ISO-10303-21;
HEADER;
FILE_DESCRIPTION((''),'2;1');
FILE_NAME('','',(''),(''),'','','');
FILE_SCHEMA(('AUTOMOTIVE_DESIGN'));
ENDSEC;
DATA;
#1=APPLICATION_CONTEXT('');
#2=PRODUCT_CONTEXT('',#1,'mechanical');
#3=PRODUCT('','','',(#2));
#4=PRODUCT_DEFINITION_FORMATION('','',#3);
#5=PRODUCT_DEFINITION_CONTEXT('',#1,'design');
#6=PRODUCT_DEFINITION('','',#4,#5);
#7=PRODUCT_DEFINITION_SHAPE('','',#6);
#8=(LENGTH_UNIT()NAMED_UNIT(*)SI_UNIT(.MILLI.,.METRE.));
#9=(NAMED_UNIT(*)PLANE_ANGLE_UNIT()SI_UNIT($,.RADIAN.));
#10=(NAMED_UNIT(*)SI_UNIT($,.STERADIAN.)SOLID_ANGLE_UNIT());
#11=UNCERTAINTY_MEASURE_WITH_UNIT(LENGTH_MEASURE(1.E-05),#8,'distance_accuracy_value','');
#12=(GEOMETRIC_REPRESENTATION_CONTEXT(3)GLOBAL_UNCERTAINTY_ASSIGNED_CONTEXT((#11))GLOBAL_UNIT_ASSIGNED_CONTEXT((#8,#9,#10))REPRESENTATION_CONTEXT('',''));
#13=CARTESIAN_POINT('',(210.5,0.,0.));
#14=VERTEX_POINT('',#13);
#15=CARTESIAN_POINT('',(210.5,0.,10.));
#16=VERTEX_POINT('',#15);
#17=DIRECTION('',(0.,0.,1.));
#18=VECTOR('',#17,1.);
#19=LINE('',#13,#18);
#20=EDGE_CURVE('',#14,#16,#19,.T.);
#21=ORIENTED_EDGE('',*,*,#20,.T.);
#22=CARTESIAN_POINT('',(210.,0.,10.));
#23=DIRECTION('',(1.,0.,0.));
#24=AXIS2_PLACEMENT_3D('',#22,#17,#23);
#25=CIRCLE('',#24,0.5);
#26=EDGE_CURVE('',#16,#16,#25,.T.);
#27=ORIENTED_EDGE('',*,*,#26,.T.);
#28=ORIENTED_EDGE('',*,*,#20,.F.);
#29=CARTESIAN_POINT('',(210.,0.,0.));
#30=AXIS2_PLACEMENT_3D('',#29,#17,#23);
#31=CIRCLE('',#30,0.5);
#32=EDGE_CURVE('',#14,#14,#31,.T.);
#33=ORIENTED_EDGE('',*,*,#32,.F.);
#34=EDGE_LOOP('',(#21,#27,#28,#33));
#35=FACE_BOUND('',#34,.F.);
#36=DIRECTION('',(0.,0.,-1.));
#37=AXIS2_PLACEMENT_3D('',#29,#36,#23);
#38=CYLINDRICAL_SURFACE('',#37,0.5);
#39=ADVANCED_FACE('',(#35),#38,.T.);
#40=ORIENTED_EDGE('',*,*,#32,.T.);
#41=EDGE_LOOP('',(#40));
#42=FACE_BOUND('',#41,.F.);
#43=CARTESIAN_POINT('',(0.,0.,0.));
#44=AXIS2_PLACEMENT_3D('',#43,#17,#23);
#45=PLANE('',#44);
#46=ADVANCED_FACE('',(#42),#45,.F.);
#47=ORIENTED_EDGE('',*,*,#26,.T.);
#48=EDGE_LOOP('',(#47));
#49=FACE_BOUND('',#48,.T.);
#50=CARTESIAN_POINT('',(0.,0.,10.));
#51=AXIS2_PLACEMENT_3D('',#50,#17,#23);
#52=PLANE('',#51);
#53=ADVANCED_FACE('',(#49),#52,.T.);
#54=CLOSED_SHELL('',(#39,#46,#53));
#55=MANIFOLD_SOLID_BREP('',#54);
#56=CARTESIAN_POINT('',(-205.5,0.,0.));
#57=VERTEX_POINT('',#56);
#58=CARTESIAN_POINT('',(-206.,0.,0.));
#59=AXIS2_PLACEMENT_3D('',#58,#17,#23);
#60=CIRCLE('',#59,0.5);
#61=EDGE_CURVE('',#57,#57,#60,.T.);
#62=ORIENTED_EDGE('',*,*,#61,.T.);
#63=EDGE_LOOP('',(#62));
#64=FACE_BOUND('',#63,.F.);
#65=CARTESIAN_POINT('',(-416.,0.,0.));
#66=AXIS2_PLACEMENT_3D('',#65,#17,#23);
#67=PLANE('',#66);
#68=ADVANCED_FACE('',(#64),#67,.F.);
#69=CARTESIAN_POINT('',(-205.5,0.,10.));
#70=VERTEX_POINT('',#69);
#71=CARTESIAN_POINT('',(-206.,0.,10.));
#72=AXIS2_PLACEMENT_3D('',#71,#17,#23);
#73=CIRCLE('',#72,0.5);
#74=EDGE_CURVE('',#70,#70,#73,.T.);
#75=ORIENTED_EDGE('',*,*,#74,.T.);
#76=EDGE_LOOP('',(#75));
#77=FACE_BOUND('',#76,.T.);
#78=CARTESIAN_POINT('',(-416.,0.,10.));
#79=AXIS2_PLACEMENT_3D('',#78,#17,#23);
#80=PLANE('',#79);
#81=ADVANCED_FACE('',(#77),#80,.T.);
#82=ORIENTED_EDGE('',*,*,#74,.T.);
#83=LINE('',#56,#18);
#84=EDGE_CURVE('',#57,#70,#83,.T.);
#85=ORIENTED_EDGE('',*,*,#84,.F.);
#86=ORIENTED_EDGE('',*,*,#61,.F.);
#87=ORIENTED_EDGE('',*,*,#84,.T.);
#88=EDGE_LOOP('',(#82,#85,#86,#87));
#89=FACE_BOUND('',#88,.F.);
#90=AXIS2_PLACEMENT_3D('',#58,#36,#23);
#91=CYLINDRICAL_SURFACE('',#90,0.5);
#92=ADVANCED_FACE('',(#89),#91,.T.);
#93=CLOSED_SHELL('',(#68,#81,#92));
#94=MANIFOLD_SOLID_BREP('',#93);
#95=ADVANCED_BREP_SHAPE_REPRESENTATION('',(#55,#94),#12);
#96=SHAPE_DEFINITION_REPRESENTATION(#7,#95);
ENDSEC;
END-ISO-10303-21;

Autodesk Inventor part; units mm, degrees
ref_plane "YZ Plane" through (0, 0, 0) normal (1, 0, 0) x (0, 1, 0)
ref_plane "XZ Plane" through (0, 0, 0) normal (0, 1, 0) x (-1, 0, 0)
ref_plane "XY Plane" through (0, 0, 0) normal (0, 0, 1) x (1, 0, 0)
sketch "Sketch1" plane through (0, 0, 0) normal (0, 0, 1) x (1, 0, 0)
  line L0 (-250, -9) -> (250, -9)
  line L1 (250, -9) -> (250, 9)
  line L2 (250, 9) -> (-250, 9)
  line L3 (-250, 9) -> (-250, -9)
  line L4 (-250, -9) -> (250, 9) construction
  line L5 (250, -9) -> (-250, 9) construction
  point P0 (0, 0)
  dimension "d0" = 500
  dimension "d1" = 18
sketch "Sketch2" plane through (0, 0, 0) normal (0, 0, 1) x (1, 0, 0)
  circle A0 centre (210, 0) radius 0.5
  line L0 (250, 9) -> (-250, 9) projected
  line L1 (-250, -9) -> (250, -9) projected
  line L2 (0, -12.6) -> (0, 12.6) projected
  line L3 (250, -9) -> (250, 9) projected
  point P0 (0, 0)
  point P1 (250, 0)
  dimension "d4" = 1
  dimension "d26" = 40
extrude "Extrusion1" add sketch "Sketch2" along normal blind 10 contours A0
pattern_linear "Confirmat Array" count 2 spacing 416 along (-1, 0, 0) of "Extrusion1"
equation "\"d26\" = X_Coord"
equation "\"d9\" = Step"
equation "\"d0\" = ContactPatchWidth"
equation "\"d1\" = ContactPatchHeight"
equation "\"ContactPatchWidth\" = 500"
equation "\"ContactPatchHeight\" = 18"
equation "\"PlacingStep\" = 32"
equation "\"PlacingWithByStep\" = 416"
equation "\"X_Coord\" = 40"
equation "\"Step\" = 416"
equation "\"Y_Coord\" = 9.5"
equation "\"MaxDistBetweenByStep\" = 192"
properties part number "Minfix&Dowel Joint"
